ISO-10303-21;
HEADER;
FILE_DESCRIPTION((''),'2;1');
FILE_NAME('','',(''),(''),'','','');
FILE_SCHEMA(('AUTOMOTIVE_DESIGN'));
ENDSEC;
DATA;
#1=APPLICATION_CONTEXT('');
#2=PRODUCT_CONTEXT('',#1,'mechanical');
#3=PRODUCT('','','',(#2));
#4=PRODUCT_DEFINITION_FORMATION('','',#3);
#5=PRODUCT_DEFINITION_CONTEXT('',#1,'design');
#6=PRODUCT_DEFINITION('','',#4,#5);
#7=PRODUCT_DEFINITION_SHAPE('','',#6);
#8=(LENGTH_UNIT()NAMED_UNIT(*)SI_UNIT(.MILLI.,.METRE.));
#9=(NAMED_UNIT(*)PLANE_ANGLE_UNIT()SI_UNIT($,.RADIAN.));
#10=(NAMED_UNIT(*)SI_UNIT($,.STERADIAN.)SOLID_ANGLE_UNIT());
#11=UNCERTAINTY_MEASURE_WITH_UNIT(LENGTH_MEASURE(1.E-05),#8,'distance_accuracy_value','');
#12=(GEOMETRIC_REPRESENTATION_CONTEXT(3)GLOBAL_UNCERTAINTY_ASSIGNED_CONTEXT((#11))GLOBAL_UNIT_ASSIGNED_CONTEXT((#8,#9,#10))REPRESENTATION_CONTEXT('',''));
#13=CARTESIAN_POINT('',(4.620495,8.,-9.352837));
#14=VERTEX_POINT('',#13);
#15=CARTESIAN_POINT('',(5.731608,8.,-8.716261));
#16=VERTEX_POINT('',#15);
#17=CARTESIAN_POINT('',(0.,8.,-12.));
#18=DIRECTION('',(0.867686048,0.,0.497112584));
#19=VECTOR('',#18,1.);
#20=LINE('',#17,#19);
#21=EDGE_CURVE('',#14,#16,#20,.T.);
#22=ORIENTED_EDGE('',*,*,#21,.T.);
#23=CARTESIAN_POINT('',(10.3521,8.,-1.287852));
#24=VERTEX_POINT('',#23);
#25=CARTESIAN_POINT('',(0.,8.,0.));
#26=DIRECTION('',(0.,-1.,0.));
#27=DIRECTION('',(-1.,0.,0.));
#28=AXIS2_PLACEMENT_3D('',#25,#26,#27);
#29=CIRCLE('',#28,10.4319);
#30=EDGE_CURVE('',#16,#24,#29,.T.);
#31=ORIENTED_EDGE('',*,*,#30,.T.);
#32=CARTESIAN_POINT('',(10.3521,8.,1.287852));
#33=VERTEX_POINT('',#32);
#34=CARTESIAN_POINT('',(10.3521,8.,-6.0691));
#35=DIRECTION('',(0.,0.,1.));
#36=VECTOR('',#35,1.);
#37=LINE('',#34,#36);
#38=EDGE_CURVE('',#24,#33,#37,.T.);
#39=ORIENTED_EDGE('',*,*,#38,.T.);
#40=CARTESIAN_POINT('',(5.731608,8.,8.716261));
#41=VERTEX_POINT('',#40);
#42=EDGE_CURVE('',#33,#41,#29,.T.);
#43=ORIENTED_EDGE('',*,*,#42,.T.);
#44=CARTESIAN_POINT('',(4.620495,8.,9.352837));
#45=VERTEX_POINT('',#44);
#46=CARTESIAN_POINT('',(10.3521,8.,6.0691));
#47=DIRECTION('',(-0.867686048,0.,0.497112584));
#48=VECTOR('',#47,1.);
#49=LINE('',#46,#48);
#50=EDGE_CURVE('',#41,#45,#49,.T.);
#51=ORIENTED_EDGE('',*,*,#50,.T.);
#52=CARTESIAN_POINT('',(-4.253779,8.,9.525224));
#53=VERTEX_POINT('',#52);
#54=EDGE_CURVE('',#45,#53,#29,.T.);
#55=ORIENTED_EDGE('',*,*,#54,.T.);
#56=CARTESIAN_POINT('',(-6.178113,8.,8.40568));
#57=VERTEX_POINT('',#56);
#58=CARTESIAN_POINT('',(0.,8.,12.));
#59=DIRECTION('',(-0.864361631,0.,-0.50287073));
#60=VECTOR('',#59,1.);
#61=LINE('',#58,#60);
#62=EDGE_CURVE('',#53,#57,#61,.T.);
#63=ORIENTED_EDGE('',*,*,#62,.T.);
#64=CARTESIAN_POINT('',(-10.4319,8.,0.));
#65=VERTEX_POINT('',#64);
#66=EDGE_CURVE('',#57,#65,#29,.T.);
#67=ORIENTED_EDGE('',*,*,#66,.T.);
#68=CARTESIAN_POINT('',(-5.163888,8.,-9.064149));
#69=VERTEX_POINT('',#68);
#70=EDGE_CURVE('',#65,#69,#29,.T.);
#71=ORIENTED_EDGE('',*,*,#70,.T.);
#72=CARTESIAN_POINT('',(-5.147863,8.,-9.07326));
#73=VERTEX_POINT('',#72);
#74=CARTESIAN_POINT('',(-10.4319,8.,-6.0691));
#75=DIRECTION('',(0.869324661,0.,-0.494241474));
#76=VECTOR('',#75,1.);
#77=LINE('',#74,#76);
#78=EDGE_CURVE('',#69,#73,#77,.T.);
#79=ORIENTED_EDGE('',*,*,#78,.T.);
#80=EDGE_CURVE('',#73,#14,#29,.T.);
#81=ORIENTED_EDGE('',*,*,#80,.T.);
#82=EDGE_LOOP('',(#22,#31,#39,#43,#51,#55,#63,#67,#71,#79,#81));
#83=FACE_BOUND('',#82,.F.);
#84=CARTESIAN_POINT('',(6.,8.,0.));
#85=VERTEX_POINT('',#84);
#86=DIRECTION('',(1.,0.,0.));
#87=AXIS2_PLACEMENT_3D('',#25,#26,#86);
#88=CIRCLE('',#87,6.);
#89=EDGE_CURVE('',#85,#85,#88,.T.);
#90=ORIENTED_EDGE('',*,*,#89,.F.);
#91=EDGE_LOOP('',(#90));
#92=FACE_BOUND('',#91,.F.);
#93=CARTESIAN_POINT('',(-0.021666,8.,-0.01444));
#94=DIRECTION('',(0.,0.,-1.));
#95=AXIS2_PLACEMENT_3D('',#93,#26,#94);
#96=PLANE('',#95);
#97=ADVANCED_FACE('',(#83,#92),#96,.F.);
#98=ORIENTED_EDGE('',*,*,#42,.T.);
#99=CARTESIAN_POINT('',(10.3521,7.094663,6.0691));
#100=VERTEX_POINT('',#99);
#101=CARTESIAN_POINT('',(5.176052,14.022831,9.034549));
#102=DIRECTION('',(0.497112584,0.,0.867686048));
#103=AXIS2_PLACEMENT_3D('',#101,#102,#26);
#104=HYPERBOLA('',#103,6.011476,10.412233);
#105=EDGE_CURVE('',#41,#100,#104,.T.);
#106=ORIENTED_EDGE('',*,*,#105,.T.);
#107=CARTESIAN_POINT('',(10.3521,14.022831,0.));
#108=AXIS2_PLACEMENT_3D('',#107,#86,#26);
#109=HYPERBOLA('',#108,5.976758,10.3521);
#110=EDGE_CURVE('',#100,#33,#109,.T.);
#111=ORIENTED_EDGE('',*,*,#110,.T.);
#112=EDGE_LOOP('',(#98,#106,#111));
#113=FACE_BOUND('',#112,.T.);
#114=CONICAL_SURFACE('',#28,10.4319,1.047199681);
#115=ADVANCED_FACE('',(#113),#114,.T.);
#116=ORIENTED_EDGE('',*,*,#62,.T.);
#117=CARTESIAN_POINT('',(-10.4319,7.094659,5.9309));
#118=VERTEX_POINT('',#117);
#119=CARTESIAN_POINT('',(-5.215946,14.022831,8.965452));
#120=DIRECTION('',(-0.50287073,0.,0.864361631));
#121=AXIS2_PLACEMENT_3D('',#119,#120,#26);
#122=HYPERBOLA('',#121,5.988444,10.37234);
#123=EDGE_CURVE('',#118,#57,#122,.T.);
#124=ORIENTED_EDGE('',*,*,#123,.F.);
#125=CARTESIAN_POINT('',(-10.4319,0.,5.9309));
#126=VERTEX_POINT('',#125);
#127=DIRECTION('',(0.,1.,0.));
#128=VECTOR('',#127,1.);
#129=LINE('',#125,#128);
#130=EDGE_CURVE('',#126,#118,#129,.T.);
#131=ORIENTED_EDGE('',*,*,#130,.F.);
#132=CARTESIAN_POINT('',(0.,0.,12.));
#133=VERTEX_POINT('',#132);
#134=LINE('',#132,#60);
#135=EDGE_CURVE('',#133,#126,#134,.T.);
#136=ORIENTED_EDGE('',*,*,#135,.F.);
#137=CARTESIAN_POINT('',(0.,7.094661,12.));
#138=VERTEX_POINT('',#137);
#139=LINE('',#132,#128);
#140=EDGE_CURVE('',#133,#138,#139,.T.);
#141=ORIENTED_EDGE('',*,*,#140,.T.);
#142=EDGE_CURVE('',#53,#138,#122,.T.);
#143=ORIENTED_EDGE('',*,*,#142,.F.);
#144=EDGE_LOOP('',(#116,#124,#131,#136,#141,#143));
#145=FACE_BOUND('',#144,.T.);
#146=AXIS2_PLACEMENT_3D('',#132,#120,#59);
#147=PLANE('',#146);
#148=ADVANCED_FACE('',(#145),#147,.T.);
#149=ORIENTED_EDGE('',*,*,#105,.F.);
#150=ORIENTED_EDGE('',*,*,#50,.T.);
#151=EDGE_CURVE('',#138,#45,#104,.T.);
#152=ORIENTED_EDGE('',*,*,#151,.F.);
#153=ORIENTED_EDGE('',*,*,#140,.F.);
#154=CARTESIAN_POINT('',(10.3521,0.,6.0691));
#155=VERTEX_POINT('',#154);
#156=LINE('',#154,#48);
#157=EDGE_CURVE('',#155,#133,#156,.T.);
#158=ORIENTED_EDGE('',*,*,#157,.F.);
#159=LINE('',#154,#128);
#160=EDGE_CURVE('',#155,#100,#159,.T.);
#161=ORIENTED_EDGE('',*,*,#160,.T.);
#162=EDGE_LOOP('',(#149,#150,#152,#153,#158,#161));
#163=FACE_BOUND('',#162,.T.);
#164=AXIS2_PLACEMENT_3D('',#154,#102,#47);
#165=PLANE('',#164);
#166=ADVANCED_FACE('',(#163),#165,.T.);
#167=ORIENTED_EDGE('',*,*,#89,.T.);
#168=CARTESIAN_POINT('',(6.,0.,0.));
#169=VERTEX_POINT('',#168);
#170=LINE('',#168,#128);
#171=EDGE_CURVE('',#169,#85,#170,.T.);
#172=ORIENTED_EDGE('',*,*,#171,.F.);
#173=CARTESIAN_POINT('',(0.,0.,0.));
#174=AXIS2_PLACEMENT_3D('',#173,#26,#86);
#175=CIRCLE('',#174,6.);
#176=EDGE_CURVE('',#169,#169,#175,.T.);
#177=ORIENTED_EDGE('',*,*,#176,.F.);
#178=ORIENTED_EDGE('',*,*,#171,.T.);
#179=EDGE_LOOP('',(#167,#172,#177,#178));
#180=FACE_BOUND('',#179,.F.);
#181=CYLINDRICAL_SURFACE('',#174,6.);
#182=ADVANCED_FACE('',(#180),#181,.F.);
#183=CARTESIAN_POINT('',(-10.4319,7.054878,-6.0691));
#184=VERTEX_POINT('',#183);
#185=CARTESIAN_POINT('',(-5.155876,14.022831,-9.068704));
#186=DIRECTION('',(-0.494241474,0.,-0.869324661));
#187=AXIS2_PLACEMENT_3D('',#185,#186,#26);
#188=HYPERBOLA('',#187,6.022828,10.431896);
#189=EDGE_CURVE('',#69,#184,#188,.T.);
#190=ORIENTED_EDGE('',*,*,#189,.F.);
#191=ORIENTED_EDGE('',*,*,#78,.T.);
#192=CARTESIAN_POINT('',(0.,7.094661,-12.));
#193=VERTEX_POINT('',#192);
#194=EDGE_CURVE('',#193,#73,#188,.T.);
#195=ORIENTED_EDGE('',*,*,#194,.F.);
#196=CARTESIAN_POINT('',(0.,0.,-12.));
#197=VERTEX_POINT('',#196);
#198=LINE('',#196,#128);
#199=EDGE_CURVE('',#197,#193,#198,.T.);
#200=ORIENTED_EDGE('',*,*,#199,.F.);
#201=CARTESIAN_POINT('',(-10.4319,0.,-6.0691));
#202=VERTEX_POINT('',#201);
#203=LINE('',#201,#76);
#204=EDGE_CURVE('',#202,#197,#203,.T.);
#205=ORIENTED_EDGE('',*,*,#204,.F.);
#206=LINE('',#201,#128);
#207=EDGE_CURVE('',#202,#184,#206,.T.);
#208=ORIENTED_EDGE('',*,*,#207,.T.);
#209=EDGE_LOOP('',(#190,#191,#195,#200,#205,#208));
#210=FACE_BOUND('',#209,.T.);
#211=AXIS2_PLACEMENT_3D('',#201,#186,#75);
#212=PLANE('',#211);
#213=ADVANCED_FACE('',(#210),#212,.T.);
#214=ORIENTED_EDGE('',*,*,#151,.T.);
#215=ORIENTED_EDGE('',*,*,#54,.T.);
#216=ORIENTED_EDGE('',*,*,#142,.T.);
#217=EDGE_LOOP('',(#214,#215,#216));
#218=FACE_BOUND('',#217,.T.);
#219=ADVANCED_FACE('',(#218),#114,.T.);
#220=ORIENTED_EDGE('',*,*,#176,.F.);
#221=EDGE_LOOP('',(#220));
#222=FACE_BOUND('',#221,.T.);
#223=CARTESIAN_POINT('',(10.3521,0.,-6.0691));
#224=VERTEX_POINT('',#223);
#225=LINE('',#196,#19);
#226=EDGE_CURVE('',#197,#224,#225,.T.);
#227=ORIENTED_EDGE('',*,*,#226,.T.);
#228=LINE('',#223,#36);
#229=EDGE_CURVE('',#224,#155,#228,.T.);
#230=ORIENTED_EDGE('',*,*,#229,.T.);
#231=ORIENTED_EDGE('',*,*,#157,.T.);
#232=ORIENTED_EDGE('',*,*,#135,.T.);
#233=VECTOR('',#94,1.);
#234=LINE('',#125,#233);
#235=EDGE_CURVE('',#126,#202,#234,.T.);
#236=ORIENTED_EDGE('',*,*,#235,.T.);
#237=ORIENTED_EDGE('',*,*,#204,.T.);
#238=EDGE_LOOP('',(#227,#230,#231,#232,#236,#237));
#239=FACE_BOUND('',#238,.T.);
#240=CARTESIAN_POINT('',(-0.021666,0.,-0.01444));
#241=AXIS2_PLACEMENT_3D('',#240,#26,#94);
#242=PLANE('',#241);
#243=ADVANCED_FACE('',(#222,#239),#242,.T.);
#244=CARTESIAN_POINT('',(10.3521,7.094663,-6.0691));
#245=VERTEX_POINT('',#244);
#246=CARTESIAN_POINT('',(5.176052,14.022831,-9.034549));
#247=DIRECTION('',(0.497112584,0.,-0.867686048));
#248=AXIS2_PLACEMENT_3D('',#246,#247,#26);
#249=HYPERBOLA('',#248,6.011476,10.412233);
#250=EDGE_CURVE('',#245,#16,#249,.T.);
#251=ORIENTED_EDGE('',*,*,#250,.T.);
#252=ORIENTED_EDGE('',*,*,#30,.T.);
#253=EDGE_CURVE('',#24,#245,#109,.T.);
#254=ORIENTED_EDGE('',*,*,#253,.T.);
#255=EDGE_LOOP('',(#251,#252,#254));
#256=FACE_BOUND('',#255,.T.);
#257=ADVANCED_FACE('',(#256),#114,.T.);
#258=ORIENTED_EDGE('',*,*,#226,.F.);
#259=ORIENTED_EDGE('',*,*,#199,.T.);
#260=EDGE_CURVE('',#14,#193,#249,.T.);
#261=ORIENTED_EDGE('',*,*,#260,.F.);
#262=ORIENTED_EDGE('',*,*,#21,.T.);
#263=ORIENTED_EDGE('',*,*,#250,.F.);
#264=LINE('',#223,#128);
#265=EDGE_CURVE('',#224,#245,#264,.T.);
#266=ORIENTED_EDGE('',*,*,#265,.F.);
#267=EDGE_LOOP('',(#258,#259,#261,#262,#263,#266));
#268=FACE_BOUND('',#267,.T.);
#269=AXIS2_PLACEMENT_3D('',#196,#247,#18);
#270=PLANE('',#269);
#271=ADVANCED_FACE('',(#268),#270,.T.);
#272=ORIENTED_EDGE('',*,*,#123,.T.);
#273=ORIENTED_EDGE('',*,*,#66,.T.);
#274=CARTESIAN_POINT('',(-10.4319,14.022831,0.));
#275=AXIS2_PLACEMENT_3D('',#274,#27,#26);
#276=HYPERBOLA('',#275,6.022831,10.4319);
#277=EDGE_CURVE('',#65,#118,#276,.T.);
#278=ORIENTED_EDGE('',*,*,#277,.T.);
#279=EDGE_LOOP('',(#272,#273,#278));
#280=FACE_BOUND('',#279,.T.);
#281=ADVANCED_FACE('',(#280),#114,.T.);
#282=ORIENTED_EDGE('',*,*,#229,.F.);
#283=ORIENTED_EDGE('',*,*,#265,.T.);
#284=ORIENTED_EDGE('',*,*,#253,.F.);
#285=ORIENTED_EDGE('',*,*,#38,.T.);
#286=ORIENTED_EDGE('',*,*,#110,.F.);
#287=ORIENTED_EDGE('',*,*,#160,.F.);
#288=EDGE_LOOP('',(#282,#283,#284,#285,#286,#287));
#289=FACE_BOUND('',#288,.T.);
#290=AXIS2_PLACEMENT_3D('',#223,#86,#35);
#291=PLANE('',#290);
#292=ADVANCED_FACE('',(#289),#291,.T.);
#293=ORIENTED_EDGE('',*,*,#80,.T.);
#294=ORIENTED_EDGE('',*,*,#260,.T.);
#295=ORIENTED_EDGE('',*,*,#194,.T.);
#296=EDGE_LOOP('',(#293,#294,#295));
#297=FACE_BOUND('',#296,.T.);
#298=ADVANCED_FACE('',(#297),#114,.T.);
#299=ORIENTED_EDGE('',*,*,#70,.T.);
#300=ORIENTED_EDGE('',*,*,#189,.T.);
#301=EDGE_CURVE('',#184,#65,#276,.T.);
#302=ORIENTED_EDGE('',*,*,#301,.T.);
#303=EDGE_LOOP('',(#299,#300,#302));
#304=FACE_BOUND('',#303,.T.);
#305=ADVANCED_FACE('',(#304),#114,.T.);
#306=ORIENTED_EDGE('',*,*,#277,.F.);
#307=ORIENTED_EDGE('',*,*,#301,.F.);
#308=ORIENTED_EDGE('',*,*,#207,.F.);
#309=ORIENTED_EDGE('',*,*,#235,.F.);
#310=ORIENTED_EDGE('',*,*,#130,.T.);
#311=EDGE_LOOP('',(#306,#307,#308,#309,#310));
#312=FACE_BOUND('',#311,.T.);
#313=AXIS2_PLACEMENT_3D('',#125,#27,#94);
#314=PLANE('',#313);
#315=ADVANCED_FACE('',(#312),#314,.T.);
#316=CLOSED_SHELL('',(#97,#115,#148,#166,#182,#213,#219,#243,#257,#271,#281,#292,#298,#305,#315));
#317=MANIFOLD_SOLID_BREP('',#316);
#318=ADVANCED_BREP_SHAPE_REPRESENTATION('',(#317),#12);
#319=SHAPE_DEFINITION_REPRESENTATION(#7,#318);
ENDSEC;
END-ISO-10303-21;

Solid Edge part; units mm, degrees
sketch "Sketch1" plane through (0, 0, 0) normal (0, -1, 0) x (1, 0, 0)
  line L0 (10.3521, 6.0691) -> (0, 12)
  line L1 (0, 12) -> (-10.4319, 5.9309)
  line L2 (-10.4319, 5.9309) -> (-10.4319, -6.0691)
  line L3 (-10.4319, -6.0691) -> (0, -12)
  line L4 (0, -12) -> (10.3521, -6.0691)
  line L5 (10.3521, -6.0691) -> (10.3521, 6.0691)
extrude "Protrusion1" add sketch "Sketch1" against normal blind 8
sketch "Sketch2" plane through (0, 0, 0) normal (0, 0, 1) x (1, 0, 0)
  line L0 (-10.4319, 8) -> (-3.0632, 12.2543)
revolve "RevolvedCutout1" cut sketch "Sketch2" angle 360 about axis through (0, 25.4232, 0) along (0, -1, 0) material side at (-6.7725, 10.1705, 0)
sketch "Sketch3" plane through (0, 0, 0) normal (0, -1, 0) x (1, 0, 0)
  circle A0 centre (0, 0) radius 6
extrude "ExtrudedCutout_1" cut sketch "Sketch3" against normal blind 10
